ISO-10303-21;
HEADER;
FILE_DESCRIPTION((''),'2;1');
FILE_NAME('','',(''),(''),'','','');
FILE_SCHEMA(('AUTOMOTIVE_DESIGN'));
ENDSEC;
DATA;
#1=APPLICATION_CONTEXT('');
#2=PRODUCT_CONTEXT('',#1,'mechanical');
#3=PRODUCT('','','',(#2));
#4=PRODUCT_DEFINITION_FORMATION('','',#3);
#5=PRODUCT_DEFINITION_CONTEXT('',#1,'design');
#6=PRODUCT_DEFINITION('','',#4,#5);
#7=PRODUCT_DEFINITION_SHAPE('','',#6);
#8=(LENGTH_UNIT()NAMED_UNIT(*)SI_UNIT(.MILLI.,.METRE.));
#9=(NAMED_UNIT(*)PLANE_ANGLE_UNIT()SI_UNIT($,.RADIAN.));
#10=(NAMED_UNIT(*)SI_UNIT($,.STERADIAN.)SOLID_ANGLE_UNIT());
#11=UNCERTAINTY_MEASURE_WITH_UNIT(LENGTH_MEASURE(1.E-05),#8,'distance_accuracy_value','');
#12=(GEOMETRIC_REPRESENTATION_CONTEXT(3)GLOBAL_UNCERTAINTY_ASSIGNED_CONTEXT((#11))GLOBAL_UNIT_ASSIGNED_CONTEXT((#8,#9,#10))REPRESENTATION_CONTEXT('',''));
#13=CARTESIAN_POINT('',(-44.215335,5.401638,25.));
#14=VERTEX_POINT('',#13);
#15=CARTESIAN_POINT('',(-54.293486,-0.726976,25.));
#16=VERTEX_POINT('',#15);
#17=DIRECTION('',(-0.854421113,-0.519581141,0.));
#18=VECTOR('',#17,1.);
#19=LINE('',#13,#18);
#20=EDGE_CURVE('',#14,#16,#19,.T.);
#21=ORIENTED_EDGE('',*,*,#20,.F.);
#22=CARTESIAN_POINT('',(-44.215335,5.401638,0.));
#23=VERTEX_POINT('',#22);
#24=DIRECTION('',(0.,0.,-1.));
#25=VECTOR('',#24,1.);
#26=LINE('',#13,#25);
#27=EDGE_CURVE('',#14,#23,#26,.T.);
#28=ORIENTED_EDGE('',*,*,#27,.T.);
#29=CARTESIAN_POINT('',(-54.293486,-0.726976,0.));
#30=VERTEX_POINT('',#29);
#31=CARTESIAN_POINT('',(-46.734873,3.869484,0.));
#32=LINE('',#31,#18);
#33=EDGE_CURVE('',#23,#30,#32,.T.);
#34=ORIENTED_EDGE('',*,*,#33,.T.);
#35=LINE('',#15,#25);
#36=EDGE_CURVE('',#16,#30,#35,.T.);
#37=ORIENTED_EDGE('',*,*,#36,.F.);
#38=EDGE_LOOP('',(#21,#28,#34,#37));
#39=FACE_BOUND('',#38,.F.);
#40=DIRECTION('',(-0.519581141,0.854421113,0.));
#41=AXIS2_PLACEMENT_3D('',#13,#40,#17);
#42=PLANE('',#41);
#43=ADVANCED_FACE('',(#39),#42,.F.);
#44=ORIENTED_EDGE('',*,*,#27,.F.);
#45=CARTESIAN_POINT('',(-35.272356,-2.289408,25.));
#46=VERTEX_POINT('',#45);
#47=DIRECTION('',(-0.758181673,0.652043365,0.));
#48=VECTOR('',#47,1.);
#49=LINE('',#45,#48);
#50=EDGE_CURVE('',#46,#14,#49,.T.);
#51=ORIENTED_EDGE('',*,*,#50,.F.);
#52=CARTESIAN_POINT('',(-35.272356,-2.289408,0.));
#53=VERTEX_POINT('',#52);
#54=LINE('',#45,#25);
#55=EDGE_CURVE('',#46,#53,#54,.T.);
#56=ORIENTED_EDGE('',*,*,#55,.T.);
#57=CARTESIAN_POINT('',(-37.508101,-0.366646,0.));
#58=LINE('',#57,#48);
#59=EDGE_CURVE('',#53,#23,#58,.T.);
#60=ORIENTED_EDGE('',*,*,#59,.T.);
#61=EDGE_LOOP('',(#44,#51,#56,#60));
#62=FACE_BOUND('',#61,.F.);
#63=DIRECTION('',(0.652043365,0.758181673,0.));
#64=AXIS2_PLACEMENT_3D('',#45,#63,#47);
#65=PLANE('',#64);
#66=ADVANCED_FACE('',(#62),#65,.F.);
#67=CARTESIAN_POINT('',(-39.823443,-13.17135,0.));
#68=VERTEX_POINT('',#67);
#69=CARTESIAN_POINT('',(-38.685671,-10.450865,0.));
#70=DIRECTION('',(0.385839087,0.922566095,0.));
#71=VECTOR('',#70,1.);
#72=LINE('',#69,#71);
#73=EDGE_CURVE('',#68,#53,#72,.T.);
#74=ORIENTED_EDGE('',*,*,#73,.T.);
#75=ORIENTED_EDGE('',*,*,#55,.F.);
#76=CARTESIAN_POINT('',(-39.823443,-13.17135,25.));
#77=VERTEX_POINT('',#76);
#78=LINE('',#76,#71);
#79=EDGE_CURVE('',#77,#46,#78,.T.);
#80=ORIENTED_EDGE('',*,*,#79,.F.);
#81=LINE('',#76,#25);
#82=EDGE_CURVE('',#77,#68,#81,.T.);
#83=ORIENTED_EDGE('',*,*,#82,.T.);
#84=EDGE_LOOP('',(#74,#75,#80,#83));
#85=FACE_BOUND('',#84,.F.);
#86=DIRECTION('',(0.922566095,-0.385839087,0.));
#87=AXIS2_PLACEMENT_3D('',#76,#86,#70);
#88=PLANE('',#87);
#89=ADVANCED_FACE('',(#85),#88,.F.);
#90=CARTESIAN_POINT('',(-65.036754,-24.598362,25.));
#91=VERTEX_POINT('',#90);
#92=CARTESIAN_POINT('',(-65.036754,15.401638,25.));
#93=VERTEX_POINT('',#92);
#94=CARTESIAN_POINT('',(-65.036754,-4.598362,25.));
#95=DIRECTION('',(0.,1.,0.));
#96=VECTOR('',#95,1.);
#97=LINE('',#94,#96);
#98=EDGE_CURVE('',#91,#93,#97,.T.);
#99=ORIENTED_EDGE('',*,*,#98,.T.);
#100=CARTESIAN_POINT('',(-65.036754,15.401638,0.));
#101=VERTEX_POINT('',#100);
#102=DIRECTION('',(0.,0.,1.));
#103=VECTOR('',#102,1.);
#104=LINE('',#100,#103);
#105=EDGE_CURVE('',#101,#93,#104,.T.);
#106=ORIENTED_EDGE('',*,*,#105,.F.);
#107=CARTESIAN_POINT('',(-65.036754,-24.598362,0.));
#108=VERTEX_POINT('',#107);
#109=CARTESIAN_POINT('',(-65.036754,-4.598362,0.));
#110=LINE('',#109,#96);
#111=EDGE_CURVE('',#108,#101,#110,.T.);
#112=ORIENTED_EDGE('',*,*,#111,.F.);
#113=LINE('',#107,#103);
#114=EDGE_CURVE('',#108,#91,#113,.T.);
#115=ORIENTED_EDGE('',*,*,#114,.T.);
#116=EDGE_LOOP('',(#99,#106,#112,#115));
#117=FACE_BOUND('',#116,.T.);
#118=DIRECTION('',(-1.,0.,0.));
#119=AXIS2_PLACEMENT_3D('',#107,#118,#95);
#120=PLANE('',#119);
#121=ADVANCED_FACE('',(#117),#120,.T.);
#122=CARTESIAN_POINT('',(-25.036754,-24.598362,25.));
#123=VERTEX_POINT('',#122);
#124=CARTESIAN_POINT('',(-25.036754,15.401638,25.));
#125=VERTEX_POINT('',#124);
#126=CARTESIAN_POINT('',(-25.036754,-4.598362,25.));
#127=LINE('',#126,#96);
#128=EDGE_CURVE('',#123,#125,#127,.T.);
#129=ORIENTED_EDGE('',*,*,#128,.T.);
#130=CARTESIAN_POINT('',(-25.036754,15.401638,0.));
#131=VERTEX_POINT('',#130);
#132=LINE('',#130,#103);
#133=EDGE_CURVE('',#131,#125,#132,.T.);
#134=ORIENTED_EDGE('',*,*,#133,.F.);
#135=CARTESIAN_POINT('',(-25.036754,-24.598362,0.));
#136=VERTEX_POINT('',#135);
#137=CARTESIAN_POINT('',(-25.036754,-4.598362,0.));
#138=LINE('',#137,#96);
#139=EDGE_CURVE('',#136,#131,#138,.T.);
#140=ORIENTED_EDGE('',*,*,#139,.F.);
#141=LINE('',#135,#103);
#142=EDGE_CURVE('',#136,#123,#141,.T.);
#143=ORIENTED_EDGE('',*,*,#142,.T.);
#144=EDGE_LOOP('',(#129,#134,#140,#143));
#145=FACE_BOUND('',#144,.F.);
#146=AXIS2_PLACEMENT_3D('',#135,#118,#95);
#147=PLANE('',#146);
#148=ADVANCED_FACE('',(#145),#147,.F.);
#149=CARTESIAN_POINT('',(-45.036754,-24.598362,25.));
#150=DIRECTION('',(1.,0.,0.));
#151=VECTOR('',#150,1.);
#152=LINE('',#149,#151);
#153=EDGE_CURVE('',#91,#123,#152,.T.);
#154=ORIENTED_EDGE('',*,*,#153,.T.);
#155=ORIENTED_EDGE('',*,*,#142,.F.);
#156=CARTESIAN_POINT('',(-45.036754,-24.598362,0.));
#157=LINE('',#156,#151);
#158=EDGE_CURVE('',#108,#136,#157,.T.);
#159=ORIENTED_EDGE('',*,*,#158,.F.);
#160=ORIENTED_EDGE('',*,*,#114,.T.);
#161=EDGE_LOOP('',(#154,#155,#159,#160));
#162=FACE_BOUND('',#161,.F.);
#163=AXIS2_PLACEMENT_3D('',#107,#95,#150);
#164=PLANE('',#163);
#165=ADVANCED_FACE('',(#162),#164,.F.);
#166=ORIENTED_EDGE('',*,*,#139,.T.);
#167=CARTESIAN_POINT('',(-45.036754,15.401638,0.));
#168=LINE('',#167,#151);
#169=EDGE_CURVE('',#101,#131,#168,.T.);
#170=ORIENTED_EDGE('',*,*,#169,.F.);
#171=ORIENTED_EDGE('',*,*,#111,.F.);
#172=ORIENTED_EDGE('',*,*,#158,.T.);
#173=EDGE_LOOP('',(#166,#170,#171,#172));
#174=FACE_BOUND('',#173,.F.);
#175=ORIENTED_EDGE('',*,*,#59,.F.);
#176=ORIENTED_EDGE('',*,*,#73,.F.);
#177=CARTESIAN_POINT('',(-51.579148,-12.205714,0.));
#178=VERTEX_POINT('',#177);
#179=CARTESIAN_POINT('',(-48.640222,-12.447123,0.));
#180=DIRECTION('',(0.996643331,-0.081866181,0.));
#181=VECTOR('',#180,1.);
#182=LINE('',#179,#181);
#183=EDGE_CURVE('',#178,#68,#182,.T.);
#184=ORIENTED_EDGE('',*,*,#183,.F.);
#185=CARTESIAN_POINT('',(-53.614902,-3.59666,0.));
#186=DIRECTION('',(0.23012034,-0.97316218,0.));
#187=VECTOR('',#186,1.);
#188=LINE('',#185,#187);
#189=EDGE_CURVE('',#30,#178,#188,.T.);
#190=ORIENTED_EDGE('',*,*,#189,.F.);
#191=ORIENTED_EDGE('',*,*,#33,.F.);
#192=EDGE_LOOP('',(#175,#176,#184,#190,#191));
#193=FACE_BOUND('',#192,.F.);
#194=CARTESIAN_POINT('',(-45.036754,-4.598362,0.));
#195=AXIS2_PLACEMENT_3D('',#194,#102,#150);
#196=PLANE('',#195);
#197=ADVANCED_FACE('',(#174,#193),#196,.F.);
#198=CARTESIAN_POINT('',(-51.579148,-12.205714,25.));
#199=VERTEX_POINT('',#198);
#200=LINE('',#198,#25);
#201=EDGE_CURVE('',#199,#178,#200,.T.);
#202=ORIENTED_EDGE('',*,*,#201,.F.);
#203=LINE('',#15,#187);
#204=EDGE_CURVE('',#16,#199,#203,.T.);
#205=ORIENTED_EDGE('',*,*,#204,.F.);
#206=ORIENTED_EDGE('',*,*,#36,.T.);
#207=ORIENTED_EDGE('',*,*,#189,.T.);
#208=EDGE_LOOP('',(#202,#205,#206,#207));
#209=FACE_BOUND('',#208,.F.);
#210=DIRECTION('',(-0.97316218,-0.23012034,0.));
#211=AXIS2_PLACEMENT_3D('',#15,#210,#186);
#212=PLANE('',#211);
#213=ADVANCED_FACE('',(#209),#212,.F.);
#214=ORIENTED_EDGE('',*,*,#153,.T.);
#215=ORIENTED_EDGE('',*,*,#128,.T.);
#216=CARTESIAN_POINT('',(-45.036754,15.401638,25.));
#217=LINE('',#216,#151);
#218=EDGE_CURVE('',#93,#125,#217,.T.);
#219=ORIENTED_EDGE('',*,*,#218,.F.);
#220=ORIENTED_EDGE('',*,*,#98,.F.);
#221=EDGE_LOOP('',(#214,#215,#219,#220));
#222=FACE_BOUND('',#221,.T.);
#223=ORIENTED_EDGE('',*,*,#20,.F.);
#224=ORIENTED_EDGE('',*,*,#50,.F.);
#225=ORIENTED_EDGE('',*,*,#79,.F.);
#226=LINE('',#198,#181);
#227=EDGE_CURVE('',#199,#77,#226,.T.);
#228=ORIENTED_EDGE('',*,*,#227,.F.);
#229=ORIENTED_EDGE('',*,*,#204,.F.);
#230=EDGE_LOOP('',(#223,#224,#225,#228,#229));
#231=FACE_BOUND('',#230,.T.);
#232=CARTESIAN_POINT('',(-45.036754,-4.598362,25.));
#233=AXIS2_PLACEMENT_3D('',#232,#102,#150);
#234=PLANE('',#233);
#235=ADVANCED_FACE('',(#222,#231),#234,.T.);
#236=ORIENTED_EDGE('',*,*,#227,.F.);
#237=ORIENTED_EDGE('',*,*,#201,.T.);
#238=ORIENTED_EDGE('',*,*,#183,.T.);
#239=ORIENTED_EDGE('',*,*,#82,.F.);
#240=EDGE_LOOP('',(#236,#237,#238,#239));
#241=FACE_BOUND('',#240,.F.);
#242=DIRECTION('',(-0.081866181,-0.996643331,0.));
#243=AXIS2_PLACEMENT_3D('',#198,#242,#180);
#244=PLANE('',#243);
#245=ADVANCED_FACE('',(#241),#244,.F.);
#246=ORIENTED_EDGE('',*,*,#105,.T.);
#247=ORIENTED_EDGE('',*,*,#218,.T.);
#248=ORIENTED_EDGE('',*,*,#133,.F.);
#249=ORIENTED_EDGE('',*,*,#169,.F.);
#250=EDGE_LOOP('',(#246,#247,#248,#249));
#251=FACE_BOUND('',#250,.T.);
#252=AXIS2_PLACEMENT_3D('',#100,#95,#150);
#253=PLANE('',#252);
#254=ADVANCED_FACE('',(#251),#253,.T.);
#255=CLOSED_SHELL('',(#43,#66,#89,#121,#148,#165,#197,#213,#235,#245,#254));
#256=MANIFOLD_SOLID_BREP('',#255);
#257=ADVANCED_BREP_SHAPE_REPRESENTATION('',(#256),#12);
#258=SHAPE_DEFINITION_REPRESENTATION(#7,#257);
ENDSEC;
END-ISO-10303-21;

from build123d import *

# Parameters (mm, degrees)
F0_W     = 40
F0_H     = 40
F1_DEPTH = 25
F3_DEPTH = 25.001


with BuildPart() as f1:
    # F0 (on Top) → F1 (new body)
    with BuildSketch(Plane.XY):
        with Locations((-45.036754, -4.598362)):
            Rectangle(F0_W, F0_H)
    extrude(amount=F1_DEPTH)

    # F2 (on face) → F3 (cut, through all)
    with BuildSketch(Plane.XY.offset(25)):
        Polygon((-39.823443, -13.17135), (-35.272356, -2.289408), (-44.215335, 5.401638), (-54.293486, -0.726976), (-51.579148, -12.205714), align=None)
    extrude(amount=-F3_DEPTH, mode=Mode.SUBTRACT)


solid = f1.part
